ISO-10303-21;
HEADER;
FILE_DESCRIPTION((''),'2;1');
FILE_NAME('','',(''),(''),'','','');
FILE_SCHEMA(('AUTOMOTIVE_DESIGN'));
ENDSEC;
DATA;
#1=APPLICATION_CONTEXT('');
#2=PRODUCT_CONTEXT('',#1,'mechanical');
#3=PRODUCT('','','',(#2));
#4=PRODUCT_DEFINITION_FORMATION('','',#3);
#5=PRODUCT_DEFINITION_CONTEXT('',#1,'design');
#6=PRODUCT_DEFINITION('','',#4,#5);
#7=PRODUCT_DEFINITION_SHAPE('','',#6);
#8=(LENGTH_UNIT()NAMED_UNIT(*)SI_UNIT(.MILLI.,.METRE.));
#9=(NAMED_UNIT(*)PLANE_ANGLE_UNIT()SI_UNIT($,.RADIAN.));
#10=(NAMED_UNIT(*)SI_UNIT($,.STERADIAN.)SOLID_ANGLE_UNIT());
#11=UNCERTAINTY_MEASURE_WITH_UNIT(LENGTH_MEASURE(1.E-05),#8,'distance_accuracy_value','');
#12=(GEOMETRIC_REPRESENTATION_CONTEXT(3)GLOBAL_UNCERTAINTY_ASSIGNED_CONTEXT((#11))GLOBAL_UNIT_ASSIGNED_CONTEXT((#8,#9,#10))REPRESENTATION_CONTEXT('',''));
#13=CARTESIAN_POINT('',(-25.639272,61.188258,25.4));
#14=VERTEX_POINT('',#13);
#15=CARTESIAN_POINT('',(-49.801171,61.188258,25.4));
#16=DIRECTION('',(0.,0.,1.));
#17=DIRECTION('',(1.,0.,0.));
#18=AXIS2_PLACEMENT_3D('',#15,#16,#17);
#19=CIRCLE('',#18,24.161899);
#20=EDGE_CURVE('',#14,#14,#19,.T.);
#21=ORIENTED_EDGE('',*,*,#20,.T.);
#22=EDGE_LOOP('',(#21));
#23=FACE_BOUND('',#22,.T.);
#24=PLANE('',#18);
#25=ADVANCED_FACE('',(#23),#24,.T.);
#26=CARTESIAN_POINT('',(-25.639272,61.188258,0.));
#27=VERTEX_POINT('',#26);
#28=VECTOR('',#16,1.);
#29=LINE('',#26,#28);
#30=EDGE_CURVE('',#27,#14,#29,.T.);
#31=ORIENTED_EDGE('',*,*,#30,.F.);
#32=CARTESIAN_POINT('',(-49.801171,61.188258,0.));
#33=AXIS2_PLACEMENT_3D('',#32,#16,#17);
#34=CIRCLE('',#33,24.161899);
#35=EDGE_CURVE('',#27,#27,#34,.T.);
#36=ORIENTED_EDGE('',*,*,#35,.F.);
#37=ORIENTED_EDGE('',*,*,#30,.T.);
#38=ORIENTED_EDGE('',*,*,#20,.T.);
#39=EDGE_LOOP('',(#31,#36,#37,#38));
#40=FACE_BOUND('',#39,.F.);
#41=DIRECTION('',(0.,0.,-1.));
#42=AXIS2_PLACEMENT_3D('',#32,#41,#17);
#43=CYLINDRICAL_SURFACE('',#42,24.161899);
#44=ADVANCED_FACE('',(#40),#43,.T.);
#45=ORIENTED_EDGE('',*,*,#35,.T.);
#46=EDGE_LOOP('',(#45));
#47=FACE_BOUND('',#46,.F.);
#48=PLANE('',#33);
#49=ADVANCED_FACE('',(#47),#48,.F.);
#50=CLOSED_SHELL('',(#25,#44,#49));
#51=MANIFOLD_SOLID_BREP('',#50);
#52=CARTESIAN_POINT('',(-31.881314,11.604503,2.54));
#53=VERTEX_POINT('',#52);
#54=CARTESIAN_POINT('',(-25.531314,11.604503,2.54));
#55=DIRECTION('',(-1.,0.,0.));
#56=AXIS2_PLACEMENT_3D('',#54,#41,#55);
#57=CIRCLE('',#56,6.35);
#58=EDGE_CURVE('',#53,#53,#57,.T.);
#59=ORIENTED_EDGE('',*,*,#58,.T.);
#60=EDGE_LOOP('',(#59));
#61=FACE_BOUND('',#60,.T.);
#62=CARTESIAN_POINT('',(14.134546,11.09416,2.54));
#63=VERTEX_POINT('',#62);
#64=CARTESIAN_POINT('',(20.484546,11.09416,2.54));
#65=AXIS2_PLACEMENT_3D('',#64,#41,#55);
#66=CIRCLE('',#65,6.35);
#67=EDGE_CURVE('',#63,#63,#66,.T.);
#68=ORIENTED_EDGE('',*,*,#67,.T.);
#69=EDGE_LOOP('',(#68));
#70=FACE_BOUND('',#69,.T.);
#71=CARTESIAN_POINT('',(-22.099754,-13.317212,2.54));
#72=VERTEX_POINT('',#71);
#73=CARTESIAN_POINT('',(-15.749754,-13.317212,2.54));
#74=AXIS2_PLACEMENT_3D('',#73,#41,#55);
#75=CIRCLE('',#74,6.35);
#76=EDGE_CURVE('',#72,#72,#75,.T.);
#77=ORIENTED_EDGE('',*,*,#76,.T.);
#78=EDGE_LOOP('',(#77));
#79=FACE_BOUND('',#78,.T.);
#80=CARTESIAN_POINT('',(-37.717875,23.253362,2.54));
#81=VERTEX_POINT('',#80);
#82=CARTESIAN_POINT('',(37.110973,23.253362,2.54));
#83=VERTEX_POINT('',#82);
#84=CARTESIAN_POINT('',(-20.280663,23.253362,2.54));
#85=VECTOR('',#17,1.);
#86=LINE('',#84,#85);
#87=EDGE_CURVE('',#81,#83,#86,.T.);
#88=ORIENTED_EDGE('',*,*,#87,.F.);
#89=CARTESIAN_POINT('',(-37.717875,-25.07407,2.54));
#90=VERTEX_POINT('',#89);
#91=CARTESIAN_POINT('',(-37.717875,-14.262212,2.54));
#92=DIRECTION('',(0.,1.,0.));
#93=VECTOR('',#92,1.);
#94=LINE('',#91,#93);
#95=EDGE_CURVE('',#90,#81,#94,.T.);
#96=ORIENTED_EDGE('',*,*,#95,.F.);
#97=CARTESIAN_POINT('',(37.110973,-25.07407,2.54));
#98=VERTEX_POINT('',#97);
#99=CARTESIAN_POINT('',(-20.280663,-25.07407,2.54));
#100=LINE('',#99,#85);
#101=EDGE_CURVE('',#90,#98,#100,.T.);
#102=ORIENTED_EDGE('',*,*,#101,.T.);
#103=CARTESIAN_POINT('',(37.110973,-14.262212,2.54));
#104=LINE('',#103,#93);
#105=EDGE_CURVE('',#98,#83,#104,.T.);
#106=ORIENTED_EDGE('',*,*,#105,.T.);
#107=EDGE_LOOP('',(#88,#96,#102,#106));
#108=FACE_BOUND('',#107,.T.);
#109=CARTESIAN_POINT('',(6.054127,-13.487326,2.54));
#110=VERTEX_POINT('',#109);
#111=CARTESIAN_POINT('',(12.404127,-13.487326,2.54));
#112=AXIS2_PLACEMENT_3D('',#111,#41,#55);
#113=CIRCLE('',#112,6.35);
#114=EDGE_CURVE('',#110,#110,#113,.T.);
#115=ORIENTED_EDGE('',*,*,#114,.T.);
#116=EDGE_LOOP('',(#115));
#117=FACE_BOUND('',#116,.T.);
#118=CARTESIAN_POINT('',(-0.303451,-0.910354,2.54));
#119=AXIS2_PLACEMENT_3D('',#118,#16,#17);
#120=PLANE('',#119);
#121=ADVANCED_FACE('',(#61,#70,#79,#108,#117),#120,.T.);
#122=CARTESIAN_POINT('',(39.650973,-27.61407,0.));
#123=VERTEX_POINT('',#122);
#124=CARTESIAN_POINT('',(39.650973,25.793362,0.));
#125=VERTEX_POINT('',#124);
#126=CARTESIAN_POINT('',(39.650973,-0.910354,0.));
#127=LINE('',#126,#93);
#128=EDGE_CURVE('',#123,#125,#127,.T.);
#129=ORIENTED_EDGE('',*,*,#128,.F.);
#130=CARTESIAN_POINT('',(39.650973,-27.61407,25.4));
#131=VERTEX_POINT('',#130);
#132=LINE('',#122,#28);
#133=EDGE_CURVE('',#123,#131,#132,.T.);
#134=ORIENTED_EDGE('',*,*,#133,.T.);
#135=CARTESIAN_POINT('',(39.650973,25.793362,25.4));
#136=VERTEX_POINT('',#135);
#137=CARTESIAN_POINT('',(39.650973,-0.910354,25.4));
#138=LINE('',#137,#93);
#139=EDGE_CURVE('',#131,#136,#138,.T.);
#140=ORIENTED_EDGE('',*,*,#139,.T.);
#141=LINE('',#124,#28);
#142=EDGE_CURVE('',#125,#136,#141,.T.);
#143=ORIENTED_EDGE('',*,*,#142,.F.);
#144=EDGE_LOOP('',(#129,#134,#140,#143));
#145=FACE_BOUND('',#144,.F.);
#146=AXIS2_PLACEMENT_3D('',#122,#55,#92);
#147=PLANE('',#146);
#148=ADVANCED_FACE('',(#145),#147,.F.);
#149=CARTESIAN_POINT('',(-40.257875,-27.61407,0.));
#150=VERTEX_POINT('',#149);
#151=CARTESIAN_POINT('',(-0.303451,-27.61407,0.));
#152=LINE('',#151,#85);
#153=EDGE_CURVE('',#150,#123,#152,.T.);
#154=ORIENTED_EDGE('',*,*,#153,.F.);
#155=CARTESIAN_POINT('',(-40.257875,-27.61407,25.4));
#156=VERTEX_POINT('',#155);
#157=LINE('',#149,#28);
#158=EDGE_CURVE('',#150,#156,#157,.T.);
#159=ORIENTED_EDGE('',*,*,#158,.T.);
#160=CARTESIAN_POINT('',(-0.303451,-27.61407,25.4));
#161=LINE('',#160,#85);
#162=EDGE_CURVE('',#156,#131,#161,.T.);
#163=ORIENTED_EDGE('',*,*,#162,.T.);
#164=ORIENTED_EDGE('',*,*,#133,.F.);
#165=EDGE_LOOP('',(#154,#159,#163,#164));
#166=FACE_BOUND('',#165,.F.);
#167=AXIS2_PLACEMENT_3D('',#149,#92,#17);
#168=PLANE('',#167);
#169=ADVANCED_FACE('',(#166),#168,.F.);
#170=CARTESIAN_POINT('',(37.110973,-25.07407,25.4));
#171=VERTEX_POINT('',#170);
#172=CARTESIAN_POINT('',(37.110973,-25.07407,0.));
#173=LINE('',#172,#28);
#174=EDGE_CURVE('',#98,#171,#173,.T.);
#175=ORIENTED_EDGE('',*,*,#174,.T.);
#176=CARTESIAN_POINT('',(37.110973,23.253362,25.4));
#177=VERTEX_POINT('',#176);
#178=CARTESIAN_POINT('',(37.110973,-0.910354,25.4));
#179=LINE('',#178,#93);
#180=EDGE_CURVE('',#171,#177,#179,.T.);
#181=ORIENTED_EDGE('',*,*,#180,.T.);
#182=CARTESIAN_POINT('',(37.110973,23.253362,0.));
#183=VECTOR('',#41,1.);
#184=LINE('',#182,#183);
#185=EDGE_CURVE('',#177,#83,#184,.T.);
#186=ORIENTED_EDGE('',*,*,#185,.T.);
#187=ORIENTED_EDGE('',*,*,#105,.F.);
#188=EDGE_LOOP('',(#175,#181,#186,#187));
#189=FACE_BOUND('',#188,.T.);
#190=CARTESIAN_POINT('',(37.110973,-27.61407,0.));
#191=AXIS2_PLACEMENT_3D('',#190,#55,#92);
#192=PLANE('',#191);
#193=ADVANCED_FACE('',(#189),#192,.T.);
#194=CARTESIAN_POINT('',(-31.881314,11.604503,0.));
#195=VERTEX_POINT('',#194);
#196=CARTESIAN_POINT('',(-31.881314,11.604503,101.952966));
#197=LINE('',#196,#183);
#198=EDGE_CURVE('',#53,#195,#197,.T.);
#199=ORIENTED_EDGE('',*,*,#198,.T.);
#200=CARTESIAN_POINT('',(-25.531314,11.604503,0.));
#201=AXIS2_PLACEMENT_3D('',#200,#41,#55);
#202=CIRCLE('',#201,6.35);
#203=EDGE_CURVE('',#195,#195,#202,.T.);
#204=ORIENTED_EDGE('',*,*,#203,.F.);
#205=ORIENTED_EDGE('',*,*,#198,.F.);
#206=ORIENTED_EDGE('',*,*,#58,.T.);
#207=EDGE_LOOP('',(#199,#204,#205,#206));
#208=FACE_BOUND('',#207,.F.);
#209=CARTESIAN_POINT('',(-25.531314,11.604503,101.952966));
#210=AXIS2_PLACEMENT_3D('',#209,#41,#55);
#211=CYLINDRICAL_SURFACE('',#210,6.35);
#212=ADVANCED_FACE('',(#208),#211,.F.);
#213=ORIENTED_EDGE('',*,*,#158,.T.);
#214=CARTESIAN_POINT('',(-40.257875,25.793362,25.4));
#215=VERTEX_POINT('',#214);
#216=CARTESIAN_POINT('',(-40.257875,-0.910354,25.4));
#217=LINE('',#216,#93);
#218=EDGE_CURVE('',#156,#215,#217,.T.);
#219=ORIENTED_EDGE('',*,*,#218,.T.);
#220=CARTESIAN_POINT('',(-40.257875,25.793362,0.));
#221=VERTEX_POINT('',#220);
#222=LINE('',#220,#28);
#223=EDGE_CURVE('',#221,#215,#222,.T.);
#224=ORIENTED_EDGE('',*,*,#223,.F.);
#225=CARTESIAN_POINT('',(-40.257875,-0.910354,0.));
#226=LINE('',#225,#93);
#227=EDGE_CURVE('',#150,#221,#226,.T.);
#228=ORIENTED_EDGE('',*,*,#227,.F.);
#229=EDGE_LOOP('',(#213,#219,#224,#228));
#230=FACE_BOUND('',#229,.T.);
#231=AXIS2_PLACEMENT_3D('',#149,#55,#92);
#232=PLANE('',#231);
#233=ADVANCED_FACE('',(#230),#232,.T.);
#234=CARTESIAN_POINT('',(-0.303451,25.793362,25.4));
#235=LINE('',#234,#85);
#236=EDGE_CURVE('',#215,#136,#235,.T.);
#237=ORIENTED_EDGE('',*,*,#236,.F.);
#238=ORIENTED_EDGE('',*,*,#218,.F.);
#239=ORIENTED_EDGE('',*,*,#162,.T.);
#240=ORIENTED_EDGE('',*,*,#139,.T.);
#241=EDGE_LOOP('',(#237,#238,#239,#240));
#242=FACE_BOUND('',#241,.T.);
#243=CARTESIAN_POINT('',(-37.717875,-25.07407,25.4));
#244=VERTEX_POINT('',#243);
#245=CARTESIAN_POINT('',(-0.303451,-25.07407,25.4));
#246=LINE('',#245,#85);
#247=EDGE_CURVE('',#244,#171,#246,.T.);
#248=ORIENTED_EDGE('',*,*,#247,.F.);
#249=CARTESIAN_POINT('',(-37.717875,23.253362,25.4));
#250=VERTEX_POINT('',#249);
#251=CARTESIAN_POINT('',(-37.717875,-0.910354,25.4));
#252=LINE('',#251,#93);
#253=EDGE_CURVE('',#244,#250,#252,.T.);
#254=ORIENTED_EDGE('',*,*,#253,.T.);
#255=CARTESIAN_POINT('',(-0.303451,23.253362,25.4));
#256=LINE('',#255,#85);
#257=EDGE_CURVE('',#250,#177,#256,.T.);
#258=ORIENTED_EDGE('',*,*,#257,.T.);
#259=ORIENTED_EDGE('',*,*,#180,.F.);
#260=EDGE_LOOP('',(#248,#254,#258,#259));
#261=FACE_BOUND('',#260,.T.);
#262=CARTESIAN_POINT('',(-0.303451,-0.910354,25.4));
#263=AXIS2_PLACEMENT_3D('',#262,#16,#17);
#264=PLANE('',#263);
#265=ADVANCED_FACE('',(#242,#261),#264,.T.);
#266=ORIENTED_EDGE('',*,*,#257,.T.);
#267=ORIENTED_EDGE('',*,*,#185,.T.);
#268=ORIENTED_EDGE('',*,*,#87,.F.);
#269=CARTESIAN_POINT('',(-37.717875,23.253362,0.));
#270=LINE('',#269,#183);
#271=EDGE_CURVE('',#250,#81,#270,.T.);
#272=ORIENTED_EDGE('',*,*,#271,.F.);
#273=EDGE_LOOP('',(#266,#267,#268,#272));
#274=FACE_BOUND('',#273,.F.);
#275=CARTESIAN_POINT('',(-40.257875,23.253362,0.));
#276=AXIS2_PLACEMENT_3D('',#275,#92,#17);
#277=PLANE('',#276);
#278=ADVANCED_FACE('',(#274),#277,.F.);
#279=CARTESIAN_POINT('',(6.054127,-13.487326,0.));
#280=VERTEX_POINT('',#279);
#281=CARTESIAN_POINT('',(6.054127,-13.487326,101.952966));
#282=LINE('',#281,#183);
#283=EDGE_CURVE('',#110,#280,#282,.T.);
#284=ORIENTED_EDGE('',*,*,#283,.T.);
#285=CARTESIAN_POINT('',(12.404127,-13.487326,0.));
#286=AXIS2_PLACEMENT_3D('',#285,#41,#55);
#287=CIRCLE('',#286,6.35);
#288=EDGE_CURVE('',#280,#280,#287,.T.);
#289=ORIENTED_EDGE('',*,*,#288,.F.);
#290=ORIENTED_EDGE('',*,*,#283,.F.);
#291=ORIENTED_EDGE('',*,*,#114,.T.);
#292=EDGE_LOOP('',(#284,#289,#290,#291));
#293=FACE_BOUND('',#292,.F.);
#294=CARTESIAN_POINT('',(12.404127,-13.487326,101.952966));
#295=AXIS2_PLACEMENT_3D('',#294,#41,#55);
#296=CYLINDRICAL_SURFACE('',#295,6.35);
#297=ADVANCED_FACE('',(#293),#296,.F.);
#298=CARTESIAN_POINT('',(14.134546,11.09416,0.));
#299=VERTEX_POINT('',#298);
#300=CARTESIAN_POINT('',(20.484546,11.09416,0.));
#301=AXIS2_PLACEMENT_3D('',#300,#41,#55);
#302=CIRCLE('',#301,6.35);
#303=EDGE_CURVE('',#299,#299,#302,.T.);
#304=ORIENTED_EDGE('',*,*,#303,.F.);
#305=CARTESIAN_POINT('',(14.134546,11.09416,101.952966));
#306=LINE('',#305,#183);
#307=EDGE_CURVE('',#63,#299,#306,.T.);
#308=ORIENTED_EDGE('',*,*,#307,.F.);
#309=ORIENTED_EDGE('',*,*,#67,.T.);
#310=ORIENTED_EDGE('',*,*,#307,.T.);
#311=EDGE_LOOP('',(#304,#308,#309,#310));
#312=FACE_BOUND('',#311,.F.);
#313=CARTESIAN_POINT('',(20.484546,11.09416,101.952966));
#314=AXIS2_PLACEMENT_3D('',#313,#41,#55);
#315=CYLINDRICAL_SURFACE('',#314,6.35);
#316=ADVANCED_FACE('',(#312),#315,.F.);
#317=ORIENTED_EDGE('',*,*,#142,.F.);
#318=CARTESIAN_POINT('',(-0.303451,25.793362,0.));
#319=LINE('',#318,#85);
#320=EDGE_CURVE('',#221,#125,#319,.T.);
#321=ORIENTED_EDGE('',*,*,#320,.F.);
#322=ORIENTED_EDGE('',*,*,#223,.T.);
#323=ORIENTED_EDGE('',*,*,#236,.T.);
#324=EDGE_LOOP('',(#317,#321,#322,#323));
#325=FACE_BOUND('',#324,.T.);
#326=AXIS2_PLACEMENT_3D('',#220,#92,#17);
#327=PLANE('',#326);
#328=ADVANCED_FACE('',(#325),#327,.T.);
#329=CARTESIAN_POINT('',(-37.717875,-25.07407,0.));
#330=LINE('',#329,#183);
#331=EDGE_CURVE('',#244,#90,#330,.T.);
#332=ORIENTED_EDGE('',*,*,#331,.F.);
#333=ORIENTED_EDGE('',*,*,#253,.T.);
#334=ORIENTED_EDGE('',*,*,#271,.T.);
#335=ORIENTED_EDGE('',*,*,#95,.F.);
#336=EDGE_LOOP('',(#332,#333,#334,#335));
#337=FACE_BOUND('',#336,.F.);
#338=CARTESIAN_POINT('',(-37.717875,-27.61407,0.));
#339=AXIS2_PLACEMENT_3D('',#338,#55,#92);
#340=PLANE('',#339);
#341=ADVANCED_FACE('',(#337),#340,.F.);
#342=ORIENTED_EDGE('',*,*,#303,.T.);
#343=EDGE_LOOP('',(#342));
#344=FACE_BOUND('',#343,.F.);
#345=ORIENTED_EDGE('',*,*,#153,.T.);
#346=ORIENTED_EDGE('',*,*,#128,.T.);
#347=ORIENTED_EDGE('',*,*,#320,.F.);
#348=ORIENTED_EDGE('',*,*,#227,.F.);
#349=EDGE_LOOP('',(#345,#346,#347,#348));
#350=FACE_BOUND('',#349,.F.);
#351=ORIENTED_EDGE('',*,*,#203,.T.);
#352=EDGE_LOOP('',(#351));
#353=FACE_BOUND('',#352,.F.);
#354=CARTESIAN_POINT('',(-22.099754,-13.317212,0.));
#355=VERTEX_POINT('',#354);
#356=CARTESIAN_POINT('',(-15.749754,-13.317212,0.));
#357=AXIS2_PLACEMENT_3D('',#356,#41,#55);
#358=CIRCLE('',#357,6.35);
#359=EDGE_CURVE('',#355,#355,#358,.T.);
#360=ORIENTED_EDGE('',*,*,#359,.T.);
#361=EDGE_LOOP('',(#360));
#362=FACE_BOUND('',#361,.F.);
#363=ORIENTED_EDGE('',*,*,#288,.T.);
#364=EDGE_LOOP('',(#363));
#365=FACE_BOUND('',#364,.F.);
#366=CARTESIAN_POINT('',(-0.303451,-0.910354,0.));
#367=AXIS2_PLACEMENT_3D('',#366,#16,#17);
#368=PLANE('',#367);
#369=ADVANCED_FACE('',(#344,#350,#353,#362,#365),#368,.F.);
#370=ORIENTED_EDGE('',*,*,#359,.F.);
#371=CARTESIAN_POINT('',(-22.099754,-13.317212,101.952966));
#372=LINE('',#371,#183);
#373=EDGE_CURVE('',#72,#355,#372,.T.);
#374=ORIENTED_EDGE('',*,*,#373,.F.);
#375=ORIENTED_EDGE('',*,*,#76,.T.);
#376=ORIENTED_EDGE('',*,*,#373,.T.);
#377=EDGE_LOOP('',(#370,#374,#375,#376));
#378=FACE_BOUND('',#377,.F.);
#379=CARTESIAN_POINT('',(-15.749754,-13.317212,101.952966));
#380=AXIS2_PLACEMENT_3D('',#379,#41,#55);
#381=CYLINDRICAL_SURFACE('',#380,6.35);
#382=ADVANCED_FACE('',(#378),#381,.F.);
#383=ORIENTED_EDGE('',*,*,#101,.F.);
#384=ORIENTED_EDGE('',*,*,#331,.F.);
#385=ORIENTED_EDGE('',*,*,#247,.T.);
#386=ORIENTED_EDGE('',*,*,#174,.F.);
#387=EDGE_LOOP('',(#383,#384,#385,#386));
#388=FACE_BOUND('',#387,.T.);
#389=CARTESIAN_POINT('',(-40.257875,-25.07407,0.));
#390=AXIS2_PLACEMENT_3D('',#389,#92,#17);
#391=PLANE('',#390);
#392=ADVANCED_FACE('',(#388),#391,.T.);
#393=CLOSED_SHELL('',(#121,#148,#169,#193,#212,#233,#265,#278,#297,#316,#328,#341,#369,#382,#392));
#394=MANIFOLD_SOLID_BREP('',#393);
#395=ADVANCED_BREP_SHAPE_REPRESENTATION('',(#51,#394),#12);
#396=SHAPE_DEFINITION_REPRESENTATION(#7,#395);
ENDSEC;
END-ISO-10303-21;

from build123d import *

# Parameters (mm, degrees)
F0_W     = 79.908848
F0_H     = 53.407432
F1_DEPTH = 25.4
F2_T     = -2.54
F4_D     = 12.7
F5_R     = 24.161899
F6_DEPTH = 25.4


with BuildPart() as f1:
    # F0 (on Top) → F1 (new body)
    with BuildSketch(Plane.XY):
        with Locations((-0.303451, -0.910354)):
            Rectangle(F0_W, F0_H)
    extrude(amount=F1_DEPTH)

    # F2
    f2_openings = [f1.faces().sort_by_distance(p)[0] for p in [
        (-0.303451, -0.910354, 25.4),
    ]]
    offset(amount=F2_T, openings=f2_openings)

    # F4 (through all)
    with Locations(Plane.XY.offset(2.54)):
        with Locations((-25.531314, 11.604503), (20.484546, 11.09416), (12.404127, -13.487326), (-15.749754, -13.317212)):
            Hole(F4_D / 2)


with BuildPart() as f6:
    # F5 (on Top) → F6 (new body)
    with BuildSketch(Plane.XY):
        with Locations((-49.801171, 61.188258)):
            Circle(F5_R)
    extrude(amount=F6_DEPTH)


solid = Compound([f1.part, f6.part])
